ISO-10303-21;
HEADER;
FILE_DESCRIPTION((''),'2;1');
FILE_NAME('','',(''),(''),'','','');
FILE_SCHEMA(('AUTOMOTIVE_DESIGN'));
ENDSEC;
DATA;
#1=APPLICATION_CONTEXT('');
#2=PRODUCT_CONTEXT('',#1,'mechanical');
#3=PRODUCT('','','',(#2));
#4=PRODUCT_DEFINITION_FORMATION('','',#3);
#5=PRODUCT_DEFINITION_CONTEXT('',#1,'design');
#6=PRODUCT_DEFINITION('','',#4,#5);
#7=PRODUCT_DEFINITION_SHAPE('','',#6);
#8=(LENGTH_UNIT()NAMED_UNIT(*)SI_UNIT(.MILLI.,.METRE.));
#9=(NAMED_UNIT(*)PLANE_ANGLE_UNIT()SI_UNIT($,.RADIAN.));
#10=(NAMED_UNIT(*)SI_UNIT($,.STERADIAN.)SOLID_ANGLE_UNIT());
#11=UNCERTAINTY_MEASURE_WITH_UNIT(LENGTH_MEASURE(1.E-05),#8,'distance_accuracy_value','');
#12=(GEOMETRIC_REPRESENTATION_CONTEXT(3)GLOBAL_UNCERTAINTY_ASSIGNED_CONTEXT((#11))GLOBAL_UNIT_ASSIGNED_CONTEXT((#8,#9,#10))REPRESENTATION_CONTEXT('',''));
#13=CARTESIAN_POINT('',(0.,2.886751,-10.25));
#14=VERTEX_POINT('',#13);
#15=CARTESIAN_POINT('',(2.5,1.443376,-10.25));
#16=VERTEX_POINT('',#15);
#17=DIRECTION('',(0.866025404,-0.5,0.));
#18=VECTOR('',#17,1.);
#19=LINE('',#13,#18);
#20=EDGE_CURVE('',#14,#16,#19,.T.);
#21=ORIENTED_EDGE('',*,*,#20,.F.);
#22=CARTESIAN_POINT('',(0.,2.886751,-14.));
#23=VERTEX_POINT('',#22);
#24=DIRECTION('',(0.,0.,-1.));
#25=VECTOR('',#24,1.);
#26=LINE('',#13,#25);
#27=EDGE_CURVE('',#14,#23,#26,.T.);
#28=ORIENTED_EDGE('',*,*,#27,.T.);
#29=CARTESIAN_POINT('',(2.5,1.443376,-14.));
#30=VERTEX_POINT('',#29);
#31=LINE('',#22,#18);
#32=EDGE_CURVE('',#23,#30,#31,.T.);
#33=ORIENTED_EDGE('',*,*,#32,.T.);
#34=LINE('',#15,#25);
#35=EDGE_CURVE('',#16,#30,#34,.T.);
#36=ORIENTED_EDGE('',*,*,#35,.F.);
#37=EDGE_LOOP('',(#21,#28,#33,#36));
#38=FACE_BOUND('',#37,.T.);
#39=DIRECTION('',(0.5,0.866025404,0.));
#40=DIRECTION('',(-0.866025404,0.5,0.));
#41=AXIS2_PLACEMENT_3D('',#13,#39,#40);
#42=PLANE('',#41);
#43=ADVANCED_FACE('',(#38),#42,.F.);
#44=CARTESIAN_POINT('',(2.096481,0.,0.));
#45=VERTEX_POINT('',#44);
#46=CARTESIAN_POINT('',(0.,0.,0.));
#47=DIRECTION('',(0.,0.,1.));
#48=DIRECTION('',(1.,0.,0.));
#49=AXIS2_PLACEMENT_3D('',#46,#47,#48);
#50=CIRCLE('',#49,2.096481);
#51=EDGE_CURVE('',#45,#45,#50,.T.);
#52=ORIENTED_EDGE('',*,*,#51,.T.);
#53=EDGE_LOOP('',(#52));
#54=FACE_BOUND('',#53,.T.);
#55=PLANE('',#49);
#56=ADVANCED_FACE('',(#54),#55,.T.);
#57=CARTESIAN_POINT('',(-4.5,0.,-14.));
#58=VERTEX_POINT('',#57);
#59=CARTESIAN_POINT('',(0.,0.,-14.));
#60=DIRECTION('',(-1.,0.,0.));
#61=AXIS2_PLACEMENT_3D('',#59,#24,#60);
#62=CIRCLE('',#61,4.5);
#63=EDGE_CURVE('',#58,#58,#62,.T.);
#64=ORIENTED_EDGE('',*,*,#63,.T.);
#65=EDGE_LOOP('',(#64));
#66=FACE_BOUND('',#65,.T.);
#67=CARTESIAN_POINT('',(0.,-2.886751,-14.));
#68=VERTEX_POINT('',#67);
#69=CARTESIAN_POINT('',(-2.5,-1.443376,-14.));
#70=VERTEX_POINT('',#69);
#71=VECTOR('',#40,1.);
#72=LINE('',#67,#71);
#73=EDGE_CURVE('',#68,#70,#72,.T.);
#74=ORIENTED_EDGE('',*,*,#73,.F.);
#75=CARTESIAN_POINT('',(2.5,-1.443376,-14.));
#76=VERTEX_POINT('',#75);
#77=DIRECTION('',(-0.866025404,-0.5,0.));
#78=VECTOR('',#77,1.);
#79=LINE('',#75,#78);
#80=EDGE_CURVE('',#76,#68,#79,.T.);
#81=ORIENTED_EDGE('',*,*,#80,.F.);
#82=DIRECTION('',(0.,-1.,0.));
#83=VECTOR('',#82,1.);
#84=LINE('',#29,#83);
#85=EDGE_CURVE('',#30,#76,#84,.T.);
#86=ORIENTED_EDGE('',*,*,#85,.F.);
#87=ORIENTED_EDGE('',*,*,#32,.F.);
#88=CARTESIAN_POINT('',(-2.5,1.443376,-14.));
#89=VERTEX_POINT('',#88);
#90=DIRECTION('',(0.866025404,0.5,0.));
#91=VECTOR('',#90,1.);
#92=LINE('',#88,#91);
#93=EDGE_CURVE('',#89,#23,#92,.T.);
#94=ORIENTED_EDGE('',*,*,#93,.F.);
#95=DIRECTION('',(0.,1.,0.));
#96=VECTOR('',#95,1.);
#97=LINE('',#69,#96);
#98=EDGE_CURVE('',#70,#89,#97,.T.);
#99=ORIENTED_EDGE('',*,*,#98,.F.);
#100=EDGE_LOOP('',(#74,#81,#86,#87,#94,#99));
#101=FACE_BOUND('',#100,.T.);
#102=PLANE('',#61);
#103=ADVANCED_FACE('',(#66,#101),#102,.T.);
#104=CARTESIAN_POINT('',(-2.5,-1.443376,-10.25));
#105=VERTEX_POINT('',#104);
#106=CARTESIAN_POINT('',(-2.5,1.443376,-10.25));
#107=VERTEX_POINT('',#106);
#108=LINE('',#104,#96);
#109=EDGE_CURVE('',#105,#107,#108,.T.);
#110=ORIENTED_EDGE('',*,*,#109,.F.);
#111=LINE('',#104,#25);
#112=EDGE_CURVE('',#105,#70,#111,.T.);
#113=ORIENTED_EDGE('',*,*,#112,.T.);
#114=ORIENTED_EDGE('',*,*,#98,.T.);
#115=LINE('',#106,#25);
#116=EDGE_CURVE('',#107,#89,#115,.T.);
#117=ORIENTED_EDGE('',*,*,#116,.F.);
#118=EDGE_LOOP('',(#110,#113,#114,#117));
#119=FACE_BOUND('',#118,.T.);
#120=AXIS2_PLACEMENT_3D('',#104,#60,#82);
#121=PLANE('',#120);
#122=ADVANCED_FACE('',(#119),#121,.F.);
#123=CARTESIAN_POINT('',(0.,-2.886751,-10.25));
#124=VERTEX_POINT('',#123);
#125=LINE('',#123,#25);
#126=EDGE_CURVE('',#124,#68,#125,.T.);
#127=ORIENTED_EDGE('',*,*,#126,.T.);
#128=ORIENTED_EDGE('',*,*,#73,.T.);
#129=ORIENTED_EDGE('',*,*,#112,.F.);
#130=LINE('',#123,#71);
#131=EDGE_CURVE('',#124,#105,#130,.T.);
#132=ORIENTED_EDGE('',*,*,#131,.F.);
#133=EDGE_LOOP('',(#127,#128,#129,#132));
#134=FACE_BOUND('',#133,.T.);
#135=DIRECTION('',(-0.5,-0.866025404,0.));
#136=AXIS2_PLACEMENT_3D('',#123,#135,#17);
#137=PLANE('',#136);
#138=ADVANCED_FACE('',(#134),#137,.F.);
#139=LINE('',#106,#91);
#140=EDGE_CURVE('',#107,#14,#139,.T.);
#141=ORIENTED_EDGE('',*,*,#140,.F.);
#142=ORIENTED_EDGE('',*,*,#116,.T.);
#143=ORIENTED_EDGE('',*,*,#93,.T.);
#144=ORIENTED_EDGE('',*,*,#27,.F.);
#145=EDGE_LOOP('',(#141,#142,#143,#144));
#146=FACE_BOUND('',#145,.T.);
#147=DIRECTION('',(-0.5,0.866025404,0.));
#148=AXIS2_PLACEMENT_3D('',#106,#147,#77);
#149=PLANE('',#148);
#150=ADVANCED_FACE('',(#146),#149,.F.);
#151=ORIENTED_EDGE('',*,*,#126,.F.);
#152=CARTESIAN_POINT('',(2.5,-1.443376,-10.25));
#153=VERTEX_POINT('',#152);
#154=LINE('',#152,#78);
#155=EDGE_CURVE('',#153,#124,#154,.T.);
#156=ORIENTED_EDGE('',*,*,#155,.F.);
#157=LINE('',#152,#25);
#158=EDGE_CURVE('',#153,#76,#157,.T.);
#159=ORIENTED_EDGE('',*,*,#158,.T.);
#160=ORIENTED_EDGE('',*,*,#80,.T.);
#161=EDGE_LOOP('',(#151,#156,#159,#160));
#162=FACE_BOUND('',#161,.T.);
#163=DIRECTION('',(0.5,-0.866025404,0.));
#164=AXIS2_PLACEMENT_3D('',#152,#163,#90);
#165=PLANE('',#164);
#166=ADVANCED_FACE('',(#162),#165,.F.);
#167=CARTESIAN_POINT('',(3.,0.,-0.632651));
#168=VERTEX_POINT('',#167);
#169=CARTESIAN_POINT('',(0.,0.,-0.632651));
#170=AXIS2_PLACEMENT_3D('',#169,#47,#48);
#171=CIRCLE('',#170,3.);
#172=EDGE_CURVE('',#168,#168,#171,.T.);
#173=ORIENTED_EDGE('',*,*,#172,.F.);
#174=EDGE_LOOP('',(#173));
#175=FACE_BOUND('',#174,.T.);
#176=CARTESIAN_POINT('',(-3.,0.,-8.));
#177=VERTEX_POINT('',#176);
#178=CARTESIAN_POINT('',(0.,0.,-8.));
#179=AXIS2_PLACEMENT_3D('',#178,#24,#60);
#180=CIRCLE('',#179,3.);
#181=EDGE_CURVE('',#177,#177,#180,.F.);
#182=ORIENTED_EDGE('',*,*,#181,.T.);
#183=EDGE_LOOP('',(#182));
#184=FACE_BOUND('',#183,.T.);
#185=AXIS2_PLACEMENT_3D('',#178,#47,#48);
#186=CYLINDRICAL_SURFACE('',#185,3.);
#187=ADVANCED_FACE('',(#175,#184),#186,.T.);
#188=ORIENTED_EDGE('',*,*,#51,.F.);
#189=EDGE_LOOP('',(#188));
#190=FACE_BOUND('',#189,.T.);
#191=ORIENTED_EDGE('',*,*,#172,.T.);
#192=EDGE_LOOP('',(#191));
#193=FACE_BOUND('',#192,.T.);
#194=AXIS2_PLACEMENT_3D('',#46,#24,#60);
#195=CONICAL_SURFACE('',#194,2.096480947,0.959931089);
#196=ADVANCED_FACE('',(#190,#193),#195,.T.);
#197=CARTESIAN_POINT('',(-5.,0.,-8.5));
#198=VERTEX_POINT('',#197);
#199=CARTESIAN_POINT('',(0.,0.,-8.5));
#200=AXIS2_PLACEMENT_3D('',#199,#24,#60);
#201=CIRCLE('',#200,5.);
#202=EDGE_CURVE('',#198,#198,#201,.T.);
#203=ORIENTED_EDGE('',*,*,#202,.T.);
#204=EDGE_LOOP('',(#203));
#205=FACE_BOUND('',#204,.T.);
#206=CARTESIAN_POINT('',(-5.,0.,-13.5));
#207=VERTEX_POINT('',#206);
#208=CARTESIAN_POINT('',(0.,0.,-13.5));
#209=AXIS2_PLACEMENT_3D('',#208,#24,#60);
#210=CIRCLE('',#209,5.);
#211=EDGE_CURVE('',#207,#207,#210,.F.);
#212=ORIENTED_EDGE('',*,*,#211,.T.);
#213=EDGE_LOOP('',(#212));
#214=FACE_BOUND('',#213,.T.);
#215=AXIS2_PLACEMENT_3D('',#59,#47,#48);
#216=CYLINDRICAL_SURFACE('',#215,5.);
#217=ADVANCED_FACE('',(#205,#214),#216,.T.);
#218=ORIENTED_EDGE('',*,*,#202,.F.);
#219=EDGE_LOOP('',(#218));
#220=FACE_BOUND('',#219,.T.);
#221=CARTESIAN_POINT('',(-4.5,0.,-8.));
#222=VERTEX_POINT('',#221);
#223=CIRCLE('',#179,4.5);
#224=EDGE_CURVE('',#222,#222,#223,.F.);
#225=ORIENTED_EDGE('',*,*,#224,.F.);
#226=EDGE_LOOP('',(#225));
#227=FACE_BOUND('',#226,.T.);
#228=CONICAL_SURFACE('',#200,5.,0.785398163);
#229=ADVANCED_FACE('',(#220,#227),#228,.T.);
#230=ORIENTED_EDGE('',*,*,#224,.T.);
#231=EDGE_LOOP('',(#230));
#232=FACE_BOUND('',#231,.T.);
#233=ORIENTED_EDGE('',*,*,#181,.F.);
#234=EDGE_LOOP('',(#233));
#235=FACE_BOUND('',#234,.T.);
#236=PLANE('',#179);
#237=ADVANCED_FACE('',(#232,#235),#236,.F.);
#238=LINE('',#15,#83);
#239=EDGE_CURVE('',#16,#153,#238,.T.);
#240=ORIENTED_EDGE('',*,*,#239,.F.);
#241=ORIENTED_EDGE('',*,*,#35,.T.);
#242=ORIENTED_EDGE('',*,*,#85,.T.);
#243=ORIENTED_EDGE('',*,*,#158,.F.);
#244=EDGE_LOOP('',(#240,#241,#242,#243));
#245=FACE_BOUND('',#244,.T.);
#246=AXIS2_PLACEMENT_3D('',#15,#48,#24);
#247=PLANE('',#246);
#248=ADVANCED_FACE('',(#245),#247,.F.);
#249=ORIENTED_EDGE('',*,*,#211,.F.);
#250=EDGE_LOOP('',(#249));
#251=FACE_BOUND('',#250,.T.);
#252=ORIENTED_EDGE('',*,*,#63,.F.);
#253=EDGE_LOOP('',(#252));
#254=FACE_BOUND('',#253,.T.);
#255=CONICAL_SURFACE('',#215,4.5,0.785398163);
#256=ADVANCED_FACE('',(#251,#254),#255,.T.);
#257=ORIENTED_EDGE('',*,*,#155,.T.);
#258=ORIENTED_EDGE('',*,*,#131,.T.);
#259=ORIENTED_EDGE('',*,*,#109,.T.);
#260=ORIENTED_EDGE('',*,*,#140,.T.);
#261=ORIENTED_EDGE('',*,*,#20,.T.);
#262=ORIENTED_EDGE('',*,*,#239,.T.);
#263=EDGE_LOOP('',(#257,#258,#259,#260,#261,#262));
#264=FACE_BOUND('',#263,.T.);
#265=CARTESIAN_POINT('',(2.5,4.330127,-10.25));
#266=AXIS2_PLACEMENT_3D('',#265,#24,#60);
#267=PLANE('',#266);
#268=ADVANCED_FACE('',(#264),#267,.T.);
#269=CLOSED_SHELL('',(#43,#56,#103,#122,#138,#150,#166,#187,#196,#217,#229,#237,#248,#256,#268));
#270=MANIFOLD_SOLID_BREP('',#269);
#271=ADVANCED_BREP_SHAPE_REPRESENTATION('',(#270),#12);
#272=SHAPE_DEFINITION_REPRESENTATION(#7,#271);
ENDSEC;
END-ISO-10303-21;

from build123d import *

# Parameters (mm, degrees)
SKETCH1_R          = 3
EXTRUDE1_DEPTH     = 8
SKETCH6_R          = 5
EXTRUDE2_DEPTH     = 6
CUT_EXTRUDE1_DEPTH = 3.75
CHAMFER1_SIZE      = 0.5


with BuildPart() as part:
    # Sketch1 → Extrude1 (new body)
    with BuildSketch(Plane.XY):
        Circle(SKETCH1_R)
    extrude(amount=-EXTRUDE1_DEPTH)

    # Sketch4 → Cut-Revolve1 (revolve, cut)
    with BuildSketch(Plane(origin=(0, 0, 0), x_dir=(0, 0, -1), z_dir=(1, 0, 0))):
        Polygon((0.632650852, 3), (0, 2.096480947), (0, 3), align=None)
    revolve(axis=Axis((0, 0, 0), (0, 0, -1)), mode=Mode.SUBTRACT)

    # Sketch6 → Extrude2 (add)
    with BuildSketch(Plane(origin=(0, 0, -8), x_dir=(-1, 0, 0), z_dir=(0, 0, -1))):
        Circle(SKETCH6_R)
    extrude(amount=EXTRUDE2_DEPTH)

    # Sketch7 → Cut-Extrude1 (cut)
    with BuildSketch(Plane(origin=(0, 0, -14), x_dir=(-1, 0, 0), z_dir=(0, 0, -1))):
        Polygon((0, 2.886751346), (-2.5, 1.443375673), (-2.5, -1.443375673), (0, -2.886751346), (2.5, -1.443375673), (2.5, 1.443375673), align=None)
    extrude(amount=-CUT_EXTRUDE1_DEPTH, mode=Mode.SUBTRACT)

    # Chamfer1
    chamfer1_edges = [part.edges().sort_by_distance(p)[0] for p in [
        (5, 0, -14),
        (5, 0, -8),
    ]]
    chamfer(chamfer1_edges, length=CHAMFER1_SIZE)


solid = part.part
